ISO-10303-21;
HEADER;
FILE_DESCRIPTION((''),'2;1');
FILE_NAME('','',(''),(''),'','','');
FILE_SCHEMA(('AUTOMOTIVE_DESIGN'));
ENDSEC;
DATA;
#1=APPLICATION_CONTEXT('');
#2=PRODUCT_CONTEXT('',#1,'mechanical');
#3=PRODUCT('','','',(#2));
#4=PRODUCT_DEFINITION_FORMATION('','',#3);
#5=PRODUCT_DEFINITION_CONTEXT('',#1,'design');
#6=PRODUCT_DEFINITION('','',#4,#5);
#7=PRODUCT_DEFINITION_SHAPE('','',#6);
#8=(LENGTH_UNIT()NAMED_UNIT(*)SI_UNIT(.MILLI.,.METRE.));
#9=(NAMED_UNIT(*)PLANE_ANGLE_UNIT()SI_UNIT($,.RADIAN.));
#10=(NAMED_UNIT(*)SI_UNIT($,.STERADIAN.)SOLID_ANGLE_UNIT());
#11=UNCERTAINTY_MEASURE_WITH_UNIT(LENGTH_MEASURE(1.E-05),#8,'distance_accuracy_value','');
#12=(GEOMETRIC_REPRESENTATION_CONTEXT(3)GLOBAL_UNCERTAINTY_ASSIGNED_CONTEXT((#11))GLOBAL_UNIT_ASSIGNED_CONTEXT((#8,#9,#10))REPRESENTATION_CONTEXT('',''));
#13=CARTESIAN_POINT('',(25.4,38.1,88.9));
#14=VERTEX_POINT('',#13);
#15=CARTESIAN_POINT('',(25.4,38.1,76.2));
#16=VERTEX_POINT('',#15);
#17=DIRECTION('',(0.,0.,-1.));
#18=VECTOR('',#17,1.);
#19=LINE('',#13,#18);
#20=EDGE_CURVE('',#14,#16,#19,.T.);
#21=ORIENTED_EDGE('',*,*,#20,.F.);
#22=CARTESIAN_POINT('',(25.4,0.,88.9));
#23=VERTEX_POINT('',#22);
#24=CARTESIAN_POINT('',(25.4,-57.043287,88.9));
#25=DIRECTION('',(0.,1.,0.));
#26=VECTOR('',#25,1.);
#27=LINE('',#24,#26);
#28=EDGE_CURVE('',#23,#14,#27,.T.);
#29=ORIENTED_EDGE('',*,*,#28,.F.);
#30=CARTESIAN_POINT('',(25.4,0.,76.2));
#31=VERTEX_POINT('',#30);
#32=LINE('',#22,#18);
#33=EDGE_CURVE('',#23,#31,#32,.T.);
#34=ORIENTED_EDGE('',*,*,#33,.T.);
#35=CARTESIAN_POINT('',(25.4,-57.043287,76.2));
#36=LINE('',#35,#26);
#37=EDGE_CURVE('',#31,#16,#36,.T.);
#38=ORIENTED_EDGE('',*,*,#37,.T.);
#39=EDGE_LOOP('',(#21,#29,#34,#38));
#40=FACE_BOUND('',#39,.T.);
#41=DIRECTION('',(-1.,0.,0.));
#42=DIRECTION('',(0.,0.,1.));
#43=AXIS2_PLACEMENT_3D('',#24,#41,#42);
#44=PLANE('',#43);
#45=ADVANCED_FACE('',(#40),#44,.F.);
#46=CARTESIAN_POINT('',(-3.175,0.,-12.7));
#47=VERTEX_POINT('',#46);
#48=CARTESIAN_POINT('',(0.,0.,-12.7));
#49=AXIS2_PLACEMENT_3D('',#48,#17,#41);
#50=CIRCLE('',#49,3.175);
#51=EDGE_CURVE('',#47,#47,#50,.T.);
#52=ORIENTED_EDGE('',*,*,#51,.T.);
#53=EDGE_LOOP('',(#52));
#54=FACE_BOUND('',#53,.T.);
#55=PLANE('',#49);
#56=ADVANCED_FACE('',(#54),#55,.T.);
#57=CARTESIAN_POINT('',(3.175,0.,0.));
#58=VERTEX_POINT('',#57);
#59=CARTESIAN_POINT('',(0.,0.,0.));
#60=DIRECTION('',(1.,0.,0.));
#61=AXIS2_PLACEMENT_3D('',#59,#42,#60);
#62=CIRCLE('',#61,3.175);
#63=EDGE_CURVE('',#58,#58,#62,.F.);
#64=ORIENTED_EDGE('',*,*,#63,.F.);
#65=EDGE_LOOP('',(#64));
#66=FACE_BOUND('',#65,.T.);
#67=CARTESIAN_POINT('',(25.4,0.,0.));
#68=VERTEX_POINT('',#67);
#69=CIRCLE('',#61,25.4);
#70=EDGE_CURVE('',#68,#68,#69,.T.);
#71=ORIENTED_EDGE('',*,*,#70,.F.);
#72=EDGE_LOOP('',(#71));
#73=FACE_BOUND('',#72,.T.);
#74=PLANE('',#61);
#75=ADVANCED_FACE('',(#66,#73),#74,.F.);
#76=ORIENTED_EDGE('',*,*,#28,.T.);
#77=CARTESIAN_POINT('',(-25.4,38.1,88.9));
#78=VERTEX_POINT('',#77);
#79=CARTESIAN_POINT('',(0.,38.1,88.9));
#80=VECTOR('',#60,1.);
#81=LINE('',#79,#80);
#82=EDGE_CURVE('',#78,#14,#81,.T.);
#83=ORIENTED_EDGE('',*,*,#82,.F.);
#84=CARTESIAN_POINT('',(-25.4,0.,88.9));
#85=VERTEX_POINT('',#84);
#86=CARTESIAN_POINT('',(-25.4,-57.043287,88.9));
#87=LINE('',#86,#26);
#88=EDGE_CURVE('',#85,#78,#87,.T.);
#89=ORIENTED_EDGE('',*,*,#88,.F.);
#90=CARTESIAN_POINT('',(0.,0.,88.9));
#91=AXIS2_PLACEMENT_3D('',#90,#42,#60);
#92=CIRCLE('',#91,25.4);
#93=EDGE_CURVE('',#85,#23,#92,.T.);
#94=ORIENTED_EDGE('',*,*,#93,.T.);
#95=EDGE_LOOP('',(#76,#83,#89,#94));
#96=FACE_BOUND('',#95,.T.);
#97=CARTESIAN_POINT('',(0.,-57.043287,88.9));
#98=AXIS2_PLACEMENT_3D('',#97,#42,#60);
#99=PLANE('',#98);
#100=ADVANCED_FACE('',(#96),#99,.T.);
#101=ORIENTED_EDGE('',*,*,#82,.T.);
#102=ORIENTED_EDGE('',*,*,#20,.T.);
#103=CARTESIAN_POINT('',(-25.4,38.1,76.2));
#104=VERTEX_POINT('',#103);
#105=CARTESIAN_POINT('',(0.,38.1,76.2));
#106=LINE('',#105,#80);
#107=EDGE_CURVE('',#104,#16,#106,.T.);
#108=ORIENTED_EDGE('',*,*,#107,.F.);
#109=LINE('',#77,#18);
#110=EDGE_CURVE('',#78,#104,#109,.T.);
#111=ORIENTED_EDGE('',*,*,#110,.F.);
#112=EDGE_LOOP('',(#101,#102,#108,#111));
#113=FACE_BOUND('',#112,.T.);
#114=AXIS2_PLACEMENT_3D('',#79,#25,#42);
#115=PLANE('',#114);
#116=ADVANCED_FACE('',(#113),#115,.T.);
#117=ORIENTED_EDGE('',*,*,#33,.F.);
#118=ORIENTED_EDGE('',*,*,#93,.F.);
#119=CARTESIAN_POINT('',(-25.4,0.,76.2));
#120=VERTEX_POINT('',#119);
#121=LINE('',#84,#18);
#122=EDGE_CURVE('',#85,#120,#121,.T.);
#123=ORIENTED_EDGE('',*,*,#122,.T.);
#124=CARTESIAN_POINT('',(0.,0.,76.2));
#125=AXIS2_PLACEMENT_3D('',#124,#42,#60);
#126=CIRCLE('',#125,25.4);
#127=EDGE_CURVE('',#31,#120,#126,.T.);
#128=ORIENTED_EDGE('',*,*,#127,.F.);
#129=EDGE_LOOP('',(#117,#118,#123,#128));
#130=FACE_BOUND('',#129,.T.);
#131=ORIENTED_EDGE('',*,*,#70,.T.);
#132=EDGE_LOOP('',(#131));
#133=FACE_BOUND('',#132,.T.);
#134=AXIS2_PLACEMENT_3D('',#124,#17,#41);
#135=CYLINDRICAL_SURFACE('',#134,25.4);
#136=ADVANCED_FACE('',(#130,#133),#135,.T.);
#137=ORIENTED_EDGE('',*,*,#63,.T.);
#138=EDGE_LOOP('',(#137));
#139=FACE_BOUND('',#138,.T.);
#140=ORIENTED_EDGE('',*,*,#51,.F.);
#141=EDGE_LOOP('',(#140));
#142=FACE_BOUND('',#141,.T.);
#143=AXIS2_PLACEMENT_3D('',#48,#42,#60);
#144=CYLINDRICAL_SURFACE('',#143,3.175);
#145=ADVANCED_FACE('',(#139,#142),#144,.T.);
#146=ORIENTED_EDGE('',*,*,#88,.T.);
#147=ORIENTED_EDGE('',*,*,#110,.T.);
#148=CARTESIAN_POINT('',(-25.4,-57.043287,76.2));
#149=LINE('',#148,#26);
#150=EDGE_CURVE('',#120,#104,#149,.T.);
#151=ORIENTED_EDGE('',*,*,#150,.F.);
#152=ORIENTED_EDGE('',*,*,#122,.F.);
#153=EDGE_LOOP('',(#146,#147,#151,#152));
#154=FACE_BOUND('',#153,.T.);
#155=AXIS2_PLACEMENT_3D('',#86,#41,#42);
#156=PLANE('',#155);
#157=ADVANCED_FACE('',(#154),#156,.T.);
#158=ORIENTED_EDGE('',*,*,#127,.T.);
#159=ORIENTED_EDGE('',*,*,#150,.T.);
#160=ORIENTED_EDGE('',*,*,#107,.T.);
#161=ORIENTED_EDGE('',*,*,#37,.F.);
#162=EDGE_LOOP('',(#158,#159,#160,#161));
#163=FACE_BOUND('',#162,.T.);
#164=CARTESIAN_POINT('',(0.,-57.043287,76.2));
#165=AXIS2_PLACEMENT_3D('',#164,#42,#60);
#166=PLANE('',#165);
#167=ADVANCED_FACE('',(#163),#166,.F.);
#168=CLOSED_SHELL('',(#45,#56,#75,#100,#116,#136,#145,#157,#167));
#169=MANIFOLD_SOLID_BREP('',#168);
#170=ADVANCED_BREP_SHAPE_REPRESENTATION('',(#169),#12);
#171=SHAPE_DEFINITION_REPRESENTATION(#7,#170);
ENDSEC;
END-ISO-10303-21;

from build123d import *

# Parameters (mm, degrees)
SKETCH1_R           = 25.4
BOSS_EXTRUDE1_DEPTH = 76.2
BOSS_EXTRUDE2_DEPTH = 12.7
SKETCH3_R           = 3.175
BOSS_EXTRUDE3_DEPTH = 12.7


with BuildPart() as part:
    # Sketch1 → Boss-Extrude1 (new body)
    with BuildSketch(Plane.XY):
        with Locations(Location((0, 0, 0), (0, 0, 180))):
            Circle(SKETCH1_R)
    extrude(amount=BOSS_EXTRUDE1_DEPTH)

    # Sketch2 → Boss-Extrude2 (add)
    with BuildSketch(Plane.XY.offset(76.2)):
        with BuildLine():
            ThreePointArc((25.4, 0), (0, 25.4), (-25.4, 0))
            Line((-25.4, 0), (25.4, 0))
        make_face()
        with BuildLine():
            Line((25.4, 0), (-25.4, 0))
            ThreePointArc((-25.4, 0), (0, -25.4), (25.4, 0))
        make_face()
        with BuildLine():
            Line((-25.4, 38.1), (-25.4, 0))
            ThreePointArc((-25.4, 0), (0, 25.4), (25.4, 0))
            Line((25.4, 0), (25.4, 38.1))
            Line((25.4, 38.1), (-25.4, 38.1))
        make_face()
    extrude(amount=BOSS_EXTRUDE2_DEPTH)

    # Sketch3 → Boss-Extrude3 (add)
    with BuildSketch(Plane(origin=(0, 0, 0), x_dir=(-1, 0, 0), z_dir=(0, 0, -1))):
        with Locations(Location((0, 0, 0), (0, 0, 180))):
            Circle(SKETCH3_R)
    extrude(amount=BOSS_EXTRUDE3_DEPTH)


solid = part.part
